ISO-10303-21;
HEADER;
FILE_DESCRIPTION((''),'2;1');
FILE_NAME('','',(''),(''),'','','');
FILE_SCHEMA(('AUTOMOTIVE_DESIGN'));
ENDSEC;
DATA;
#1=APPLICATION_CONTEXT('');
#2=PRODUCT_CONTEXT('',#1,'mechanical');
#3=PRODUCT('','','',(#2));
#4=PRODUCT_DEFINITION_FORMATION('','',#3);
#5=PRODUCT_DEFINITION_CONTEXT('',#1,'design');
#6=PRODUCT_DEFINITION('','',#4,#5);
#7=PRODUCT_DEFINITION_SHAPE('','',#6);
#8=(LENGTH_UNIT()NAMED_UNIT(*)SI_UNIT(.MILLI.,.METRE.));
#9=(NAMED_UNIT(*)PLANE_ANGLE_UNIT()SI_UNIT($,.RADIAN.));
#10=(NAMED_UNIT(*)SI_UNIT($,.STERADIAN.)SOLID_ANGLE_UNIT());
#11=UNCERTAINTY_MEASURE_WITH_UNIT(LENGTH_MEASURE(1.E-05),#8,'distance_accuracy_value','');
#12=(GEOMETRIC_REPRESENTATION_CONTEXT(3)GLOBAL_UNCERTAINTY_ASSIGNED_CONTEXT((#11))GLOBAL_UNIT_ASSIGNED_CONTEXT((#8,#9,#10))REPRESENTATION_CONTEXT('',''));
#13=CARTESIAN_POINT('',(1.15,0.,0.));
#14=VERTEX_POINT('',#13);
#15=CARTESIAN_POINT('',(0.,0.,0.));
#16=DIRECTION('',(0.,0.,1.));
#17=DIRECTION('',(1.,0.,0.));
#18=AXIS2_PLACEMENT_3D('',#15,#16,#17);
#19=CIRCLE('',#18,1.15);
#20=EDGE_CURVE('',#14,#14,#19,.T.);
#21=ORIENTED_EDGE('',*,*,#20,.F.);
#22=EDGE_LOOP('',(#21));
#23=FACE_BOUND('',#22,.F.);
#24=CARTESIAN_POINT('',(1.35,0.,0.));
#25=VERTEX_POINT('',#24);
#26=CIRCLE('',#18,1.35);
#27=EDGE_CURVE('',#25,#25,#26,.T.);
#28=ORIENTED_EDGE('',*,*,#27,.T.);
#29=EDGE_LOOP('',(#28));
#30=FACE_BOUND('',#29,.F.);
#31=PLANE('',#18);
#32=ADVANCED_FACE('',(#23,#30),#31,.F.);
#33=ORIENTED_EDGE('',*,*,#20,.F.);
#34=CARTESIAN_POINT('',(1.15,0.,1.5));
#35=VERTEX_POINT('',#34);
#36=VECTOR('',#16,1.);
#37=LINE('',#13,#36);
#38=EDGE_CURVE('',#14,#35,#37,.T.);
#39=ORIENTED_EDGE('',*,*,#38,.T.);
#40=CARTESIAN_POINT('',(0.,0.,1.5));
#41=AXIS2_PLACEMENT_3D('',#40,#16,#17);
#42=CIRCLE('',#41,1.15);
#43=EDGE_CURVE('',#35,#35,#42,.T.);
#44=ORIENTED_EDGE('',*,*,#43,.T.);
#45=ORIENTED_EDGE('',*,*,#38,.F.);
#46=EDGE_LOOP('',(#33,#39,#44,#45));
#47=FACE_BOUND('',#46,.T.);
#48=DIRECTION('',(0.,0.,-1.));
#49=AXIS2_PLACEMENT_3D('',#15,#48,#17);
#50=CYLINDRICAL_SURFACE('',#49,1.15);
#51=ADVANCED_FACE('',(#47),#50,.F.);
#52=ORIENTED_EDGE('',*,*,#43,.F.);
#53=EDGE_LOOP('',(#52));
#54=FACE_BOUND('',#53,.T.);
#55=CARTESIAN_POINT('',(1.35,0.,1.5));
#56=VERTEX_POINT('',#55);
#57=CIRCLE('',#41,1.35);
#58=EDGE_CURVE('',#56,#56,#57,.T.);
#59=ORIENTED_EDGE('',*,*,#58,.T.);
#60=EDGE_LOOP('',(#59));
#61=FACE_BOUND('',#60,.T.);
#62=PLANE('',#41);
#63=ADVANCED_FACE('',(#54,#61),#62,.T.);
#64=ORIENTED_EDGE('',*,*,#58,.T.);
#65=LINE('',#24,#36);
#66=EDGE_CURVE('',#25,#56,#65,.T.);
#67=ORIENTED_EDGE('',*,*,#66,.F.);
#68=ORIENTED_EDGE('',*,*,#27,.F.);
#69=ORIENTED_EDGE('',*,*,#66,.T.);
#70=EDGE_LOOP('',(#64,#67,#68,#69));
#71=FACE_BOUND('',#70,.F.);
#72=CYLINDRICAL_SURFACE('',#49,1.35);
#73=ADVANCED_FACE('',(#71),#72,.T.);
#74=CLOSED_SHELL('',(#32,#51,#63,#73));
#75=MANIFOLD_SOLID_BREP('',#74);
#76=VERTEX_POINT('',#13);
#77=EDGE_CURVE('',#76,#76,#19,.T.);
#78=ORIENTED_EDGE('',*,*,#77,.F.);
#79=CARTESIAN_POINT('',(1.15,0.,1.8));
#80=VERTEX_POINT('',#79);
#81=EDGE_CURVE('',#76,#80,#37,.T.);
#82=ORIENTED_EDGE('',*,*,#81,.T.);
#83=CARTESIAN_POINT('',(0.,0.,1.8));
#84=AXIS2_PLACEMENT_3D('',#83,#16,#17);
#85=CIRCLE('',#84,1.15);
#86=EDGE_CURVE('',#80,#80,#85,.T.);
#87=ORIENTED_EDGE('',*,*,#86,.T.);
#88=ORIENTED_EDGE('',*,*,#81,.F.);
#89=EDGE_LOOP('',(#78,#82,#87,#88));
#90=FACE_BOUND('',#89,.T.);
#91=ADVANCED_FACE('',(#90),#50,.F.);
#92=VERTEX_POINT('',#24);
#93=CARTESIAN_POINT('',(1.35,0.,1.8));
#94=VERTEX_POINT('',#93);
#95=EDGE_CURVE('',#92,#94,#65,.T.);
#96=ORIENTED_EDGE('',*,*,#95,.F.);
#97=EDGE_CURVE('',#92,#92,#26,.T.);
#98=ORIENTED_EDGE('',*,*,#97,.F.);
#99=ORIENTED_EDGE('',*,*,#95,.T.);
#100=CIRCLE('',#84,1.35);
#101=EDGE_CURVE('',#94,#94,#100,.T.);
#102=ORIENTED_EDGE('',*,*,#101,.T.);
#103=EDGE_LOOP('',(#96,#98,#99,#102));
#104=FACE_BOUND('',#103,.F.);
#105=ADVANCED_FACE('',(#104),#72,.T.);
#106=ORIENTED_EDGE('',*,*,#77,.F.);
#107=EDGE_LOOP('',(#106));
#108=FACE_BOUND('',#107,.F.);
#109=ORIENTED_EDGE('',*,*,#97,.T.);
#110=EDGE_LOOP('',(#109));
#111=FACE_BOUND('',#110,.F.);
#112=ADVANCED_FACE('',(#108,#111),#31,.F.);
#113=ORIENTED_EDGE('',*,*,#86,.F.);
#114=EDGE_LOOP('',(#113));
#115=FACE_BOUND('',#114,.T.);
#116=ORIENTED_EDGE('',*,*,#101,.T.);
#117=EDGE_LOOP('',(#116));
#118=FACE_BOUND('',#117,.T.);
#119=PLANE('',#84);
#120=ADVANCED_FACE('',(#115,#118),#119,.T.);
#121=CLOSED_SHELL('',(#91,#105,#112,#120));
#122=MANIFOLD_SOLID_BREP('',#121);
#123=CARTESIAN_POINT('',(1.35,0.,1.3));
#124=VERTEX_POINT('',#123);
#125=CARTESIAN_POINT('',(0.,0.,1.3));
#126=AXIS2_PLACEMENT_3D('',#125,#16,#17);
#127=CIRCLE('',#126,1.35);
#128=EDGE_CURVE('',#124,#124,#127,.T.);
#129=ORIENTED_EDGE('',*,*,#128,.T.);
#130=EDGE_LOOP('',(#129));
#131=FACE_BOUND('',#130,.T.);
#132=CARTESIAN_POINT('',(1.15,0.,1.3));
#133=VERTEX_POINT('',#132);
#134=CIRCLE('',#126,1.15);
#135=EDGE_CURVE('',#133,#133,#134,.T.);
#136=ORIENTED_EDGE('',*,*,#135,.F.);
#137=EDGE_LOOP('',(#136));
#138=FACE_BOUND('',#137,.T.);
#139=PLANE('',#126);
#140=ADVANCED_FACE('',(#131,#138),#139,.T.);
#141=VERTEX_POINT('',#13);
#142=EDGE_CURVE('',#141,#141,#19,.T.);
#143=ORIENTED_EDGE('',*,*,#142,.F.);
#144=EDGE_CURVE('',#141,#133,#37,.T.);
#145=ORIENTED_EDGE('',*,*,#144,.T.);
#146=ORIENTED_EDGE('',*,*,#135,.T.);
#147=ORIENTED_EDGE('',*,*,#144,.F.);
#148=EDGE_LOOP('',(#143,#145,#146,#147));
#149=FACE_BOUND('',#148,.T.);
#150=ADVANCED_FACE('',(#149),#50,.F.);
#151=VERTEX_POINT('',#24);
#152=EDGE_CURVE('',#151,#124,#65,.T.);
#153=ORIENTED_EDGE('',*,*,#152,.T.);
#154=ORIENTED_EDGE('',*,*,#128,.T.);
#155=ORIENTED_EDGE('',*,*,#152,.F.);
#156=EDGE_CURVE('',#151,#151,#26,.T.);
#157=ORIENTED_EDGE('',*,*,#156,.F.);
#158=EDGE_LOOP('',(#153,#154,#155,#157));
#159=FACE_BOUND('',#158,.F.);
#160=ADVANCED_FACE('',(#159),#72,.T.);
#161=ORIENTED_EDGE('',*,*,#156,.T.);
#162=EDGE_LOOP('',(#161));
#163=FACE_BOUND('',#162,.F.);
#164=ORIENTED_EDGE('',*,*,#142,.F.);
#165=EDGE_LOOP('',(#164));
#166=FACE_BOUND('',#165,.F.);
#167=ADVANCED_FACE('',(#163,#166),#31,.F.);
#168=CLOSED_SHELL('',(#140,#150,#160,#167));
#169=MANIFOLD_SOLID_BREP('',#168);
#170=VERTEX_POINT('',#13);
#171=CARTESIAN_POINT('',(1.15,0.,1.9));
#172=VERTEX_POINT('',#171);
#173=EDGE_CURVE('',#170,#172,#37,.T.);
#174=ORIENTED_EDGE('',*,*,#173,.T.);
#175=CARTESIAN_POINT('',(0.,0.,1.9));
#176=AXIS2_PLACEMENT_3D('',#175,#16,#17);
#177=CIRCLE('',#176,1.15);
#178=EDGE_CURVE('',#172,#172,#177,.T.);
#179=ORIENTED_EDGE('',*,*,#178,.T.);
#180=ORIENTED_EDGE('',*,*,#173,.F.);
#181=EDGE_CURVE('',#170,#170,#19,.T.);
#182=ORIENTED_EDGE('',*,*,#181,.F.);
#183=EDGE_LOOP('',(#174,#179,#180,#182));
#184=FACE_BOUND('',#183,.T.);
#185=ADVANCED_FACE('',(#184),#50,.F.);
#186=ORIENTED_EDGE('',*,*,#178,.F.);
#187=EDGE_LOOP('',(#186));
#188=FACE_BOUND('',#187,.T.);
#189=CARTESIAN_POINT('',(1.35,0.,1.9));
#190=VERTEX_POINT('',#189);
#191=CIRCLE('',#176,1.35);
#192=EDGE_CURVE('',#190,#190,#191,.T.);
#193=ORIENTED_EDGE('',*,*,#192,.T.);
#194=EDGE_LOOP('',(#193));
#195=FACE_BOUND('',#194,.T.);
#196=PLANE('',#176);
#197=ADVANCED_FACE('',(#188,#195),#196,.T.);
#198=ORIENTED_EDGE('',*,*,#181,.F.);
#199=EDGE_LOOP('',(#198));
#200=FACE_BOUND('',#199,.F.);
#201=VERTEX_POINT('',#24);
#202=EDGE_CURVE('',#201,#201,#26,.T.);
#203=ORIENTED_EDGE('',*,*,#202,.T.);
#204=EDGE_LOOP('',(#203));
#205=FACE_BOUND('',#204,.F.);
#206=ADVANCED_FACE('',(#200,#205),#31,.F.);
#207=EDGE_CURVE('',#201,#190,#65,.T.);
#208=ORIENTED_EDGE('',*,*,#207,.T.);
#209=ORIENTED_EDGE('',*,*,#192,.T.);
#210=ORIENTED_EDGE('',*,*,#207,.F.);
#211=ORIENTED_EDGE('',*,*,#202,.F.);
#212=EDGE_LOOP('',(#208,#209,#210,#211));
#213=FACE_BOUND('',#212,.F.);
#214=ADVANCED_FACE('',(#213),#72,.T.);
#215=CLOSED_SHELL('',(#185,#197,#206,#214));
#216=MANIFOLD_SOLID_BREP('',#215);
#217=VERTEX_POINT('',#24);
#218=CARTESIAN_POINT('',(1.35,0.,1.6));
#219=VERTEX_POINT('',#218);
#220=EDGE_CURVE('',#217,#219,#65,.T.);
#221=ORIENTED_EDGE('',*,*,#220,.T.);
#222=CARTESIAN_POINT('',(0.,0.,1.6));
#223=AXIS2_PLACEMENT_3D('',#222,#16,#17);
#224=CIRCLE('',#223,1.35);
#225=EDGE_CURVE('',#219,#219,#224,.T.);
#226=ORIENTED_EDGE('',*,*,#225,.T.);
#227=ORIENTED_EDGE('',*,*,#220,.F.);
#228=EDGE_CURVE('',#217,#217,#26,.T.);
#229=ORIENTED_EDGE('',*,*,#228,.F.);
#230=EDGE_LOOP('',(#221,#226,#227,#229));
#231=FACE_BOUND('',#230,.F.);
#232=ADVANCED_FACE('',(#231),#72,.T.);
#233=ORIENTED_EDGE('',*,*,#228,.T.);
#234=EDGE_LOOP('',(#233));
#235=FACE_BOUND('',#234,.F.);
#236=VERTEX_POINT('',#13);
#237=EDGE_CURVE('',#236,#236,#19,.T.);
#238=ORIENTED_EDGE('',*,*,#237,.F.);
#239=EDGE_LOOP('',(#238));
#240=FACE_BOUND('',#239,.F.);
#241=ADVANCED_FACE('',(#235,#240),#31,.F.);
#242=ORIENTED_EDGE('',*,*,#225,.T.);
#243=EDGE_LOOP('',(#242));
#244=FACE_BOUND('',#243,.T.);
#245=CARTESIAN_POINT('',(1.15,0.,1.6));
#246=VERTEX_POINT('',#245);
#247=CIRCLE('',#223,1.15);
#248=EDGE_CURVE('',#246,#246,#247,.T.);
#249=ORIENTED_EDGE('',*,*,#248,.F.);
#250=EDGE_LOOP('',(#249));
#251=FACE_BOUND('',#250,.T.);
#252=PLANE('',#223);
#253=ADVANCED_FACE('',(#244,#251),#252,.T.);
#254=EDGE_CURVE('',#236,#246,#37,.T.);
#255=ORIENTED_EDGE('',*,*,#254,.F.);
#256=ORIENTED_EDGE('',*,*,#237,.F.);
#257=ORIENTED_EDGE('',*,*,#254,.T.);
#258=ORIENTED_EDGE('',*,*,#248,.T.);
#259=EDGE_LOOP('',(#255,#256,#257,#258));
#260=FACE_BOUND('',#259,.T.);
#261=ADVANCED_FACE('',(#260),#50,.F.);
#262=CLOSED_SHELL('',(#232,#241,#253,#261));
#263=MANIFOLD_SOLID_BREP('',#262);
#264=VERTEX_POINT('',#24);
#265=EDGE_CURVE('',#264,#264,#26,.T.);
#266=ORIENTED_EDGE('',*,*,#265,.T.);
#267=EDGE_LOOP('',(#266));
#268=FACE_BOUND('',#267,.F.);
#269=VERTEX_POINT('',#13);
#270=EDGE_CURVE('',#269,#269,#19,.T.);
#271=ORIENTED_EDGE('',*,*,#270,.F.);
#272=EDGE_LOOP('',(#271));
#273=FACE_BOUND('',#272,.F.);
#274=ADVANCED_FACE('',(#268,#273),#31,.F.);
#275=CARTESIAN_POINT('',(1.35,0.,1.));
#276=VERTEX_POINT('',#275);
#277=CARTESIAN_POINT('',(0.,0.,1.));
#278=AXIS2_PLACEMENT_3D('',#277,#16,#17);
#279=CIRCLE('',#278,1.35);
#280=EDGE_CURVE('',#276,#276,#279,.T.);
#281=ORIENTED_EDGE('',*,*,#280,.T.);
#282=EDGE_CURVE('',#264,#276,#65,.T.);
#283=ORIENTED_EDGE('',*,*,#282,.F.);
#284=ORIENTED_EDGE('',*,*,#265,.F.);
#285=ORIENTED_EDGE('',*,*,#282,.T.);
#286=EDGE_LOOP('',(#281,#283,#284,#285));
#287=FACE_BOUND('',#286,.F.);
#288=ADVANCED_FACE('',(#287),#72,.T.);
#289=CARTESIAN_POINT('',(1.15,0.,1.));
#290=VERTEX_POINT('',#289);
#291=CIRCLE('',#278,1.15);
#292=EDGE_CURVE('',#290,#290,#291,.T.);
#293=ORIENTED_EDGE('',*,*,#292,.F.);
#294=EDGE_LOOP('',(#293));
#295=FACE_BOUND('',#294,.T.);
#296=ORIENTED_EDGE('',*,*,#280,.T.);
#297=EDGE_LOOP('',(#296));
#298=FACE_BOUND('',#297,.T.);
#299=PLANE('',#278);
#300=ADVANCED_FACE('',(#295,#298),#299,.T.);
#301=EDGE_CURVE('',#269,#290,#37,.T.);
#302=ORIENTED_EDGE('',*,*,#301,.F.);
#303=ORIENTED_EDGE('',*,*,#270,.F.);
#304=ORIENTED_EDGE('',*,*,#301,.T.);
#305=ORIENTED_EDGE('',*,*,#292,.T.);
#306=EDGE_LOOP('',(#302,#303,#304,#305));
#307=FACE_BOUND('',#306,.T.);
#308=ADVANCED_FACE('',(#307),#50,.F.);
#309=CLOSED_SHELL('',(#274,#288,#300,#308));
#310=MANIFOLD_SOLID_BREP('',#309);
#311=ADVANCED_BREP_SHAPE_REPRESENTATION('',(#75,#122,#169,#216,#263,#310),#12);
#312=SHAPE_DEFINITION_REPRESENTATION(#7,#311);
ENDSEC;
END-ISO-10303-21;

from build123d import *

# Parameters (mm, degrees)
F0_R     = 1.35
F0_R_2   = 1.15
F1_DEPTH = 1.5
F2_DEPTH = 1.6
F3_DEPTH = 1.8
F4_DEPTH = 1.9
F5_DEPTH = 1.3
F6_DEPTH = 1


with BuildPart() as f1:
    # F0 (on Top) → F1 (new body)
    with BuildSketch(Plane.XY):
        Circle(F0_R)
        Circle(F0_R_2, mode=Mode.SUBTRACT)
    extrude(amount=F1_DEPTH)


with BuildPart() as f2:
    # F0 (on Top) → F2 (new body)
    with BuildSketch(Plane.XY):
        Circle(F0_R)
        Circle(F0_R_2, mode=Mode.SUBTRACT)
    extrude(amount=F2_DEPTH)


with BuildPart() as f3:
    # F0 (on Top) → F3 (new body)
    with BuildSketch(Plane.XY):
        Circle(F0_R)
        Circle(F0_R_2, mode=Mode.SUBTRACT)
    extrude(amount=F3_DEPTH)


with BuildPart() as f4:
    # F0 (on Top) → F4 (new body)
    with BuildSketch(Plane.XY):
        Circle(F0_R)
        Circle(F0_R_2, mode=Mode.SUBTRACT)
    extrude(amount=F4_DEPTH)


with BuildPart() as f5:
    # F0 (on Top) → F5 (new body)
    with BuildSketch(Plane.XY):
        Circle(F0_R)
        Circle(F0_R_2, mode=Mode.SUBTRACT)
    extrude(amount=F5_DEPTH)


with BuildPart() as f6:
    # F0 (on Top) → F6 (new body)
    with BuildSketch(Plane.XY):
        Circle(F0_R)
        Circle(F0_R_2, mode=Mode.SUBTRACT)
    extrude(amount=F6_DEPTH)


solid = Compound([f1.part, f2.part, f3.part, f4.part, f5.part, f6.part])
